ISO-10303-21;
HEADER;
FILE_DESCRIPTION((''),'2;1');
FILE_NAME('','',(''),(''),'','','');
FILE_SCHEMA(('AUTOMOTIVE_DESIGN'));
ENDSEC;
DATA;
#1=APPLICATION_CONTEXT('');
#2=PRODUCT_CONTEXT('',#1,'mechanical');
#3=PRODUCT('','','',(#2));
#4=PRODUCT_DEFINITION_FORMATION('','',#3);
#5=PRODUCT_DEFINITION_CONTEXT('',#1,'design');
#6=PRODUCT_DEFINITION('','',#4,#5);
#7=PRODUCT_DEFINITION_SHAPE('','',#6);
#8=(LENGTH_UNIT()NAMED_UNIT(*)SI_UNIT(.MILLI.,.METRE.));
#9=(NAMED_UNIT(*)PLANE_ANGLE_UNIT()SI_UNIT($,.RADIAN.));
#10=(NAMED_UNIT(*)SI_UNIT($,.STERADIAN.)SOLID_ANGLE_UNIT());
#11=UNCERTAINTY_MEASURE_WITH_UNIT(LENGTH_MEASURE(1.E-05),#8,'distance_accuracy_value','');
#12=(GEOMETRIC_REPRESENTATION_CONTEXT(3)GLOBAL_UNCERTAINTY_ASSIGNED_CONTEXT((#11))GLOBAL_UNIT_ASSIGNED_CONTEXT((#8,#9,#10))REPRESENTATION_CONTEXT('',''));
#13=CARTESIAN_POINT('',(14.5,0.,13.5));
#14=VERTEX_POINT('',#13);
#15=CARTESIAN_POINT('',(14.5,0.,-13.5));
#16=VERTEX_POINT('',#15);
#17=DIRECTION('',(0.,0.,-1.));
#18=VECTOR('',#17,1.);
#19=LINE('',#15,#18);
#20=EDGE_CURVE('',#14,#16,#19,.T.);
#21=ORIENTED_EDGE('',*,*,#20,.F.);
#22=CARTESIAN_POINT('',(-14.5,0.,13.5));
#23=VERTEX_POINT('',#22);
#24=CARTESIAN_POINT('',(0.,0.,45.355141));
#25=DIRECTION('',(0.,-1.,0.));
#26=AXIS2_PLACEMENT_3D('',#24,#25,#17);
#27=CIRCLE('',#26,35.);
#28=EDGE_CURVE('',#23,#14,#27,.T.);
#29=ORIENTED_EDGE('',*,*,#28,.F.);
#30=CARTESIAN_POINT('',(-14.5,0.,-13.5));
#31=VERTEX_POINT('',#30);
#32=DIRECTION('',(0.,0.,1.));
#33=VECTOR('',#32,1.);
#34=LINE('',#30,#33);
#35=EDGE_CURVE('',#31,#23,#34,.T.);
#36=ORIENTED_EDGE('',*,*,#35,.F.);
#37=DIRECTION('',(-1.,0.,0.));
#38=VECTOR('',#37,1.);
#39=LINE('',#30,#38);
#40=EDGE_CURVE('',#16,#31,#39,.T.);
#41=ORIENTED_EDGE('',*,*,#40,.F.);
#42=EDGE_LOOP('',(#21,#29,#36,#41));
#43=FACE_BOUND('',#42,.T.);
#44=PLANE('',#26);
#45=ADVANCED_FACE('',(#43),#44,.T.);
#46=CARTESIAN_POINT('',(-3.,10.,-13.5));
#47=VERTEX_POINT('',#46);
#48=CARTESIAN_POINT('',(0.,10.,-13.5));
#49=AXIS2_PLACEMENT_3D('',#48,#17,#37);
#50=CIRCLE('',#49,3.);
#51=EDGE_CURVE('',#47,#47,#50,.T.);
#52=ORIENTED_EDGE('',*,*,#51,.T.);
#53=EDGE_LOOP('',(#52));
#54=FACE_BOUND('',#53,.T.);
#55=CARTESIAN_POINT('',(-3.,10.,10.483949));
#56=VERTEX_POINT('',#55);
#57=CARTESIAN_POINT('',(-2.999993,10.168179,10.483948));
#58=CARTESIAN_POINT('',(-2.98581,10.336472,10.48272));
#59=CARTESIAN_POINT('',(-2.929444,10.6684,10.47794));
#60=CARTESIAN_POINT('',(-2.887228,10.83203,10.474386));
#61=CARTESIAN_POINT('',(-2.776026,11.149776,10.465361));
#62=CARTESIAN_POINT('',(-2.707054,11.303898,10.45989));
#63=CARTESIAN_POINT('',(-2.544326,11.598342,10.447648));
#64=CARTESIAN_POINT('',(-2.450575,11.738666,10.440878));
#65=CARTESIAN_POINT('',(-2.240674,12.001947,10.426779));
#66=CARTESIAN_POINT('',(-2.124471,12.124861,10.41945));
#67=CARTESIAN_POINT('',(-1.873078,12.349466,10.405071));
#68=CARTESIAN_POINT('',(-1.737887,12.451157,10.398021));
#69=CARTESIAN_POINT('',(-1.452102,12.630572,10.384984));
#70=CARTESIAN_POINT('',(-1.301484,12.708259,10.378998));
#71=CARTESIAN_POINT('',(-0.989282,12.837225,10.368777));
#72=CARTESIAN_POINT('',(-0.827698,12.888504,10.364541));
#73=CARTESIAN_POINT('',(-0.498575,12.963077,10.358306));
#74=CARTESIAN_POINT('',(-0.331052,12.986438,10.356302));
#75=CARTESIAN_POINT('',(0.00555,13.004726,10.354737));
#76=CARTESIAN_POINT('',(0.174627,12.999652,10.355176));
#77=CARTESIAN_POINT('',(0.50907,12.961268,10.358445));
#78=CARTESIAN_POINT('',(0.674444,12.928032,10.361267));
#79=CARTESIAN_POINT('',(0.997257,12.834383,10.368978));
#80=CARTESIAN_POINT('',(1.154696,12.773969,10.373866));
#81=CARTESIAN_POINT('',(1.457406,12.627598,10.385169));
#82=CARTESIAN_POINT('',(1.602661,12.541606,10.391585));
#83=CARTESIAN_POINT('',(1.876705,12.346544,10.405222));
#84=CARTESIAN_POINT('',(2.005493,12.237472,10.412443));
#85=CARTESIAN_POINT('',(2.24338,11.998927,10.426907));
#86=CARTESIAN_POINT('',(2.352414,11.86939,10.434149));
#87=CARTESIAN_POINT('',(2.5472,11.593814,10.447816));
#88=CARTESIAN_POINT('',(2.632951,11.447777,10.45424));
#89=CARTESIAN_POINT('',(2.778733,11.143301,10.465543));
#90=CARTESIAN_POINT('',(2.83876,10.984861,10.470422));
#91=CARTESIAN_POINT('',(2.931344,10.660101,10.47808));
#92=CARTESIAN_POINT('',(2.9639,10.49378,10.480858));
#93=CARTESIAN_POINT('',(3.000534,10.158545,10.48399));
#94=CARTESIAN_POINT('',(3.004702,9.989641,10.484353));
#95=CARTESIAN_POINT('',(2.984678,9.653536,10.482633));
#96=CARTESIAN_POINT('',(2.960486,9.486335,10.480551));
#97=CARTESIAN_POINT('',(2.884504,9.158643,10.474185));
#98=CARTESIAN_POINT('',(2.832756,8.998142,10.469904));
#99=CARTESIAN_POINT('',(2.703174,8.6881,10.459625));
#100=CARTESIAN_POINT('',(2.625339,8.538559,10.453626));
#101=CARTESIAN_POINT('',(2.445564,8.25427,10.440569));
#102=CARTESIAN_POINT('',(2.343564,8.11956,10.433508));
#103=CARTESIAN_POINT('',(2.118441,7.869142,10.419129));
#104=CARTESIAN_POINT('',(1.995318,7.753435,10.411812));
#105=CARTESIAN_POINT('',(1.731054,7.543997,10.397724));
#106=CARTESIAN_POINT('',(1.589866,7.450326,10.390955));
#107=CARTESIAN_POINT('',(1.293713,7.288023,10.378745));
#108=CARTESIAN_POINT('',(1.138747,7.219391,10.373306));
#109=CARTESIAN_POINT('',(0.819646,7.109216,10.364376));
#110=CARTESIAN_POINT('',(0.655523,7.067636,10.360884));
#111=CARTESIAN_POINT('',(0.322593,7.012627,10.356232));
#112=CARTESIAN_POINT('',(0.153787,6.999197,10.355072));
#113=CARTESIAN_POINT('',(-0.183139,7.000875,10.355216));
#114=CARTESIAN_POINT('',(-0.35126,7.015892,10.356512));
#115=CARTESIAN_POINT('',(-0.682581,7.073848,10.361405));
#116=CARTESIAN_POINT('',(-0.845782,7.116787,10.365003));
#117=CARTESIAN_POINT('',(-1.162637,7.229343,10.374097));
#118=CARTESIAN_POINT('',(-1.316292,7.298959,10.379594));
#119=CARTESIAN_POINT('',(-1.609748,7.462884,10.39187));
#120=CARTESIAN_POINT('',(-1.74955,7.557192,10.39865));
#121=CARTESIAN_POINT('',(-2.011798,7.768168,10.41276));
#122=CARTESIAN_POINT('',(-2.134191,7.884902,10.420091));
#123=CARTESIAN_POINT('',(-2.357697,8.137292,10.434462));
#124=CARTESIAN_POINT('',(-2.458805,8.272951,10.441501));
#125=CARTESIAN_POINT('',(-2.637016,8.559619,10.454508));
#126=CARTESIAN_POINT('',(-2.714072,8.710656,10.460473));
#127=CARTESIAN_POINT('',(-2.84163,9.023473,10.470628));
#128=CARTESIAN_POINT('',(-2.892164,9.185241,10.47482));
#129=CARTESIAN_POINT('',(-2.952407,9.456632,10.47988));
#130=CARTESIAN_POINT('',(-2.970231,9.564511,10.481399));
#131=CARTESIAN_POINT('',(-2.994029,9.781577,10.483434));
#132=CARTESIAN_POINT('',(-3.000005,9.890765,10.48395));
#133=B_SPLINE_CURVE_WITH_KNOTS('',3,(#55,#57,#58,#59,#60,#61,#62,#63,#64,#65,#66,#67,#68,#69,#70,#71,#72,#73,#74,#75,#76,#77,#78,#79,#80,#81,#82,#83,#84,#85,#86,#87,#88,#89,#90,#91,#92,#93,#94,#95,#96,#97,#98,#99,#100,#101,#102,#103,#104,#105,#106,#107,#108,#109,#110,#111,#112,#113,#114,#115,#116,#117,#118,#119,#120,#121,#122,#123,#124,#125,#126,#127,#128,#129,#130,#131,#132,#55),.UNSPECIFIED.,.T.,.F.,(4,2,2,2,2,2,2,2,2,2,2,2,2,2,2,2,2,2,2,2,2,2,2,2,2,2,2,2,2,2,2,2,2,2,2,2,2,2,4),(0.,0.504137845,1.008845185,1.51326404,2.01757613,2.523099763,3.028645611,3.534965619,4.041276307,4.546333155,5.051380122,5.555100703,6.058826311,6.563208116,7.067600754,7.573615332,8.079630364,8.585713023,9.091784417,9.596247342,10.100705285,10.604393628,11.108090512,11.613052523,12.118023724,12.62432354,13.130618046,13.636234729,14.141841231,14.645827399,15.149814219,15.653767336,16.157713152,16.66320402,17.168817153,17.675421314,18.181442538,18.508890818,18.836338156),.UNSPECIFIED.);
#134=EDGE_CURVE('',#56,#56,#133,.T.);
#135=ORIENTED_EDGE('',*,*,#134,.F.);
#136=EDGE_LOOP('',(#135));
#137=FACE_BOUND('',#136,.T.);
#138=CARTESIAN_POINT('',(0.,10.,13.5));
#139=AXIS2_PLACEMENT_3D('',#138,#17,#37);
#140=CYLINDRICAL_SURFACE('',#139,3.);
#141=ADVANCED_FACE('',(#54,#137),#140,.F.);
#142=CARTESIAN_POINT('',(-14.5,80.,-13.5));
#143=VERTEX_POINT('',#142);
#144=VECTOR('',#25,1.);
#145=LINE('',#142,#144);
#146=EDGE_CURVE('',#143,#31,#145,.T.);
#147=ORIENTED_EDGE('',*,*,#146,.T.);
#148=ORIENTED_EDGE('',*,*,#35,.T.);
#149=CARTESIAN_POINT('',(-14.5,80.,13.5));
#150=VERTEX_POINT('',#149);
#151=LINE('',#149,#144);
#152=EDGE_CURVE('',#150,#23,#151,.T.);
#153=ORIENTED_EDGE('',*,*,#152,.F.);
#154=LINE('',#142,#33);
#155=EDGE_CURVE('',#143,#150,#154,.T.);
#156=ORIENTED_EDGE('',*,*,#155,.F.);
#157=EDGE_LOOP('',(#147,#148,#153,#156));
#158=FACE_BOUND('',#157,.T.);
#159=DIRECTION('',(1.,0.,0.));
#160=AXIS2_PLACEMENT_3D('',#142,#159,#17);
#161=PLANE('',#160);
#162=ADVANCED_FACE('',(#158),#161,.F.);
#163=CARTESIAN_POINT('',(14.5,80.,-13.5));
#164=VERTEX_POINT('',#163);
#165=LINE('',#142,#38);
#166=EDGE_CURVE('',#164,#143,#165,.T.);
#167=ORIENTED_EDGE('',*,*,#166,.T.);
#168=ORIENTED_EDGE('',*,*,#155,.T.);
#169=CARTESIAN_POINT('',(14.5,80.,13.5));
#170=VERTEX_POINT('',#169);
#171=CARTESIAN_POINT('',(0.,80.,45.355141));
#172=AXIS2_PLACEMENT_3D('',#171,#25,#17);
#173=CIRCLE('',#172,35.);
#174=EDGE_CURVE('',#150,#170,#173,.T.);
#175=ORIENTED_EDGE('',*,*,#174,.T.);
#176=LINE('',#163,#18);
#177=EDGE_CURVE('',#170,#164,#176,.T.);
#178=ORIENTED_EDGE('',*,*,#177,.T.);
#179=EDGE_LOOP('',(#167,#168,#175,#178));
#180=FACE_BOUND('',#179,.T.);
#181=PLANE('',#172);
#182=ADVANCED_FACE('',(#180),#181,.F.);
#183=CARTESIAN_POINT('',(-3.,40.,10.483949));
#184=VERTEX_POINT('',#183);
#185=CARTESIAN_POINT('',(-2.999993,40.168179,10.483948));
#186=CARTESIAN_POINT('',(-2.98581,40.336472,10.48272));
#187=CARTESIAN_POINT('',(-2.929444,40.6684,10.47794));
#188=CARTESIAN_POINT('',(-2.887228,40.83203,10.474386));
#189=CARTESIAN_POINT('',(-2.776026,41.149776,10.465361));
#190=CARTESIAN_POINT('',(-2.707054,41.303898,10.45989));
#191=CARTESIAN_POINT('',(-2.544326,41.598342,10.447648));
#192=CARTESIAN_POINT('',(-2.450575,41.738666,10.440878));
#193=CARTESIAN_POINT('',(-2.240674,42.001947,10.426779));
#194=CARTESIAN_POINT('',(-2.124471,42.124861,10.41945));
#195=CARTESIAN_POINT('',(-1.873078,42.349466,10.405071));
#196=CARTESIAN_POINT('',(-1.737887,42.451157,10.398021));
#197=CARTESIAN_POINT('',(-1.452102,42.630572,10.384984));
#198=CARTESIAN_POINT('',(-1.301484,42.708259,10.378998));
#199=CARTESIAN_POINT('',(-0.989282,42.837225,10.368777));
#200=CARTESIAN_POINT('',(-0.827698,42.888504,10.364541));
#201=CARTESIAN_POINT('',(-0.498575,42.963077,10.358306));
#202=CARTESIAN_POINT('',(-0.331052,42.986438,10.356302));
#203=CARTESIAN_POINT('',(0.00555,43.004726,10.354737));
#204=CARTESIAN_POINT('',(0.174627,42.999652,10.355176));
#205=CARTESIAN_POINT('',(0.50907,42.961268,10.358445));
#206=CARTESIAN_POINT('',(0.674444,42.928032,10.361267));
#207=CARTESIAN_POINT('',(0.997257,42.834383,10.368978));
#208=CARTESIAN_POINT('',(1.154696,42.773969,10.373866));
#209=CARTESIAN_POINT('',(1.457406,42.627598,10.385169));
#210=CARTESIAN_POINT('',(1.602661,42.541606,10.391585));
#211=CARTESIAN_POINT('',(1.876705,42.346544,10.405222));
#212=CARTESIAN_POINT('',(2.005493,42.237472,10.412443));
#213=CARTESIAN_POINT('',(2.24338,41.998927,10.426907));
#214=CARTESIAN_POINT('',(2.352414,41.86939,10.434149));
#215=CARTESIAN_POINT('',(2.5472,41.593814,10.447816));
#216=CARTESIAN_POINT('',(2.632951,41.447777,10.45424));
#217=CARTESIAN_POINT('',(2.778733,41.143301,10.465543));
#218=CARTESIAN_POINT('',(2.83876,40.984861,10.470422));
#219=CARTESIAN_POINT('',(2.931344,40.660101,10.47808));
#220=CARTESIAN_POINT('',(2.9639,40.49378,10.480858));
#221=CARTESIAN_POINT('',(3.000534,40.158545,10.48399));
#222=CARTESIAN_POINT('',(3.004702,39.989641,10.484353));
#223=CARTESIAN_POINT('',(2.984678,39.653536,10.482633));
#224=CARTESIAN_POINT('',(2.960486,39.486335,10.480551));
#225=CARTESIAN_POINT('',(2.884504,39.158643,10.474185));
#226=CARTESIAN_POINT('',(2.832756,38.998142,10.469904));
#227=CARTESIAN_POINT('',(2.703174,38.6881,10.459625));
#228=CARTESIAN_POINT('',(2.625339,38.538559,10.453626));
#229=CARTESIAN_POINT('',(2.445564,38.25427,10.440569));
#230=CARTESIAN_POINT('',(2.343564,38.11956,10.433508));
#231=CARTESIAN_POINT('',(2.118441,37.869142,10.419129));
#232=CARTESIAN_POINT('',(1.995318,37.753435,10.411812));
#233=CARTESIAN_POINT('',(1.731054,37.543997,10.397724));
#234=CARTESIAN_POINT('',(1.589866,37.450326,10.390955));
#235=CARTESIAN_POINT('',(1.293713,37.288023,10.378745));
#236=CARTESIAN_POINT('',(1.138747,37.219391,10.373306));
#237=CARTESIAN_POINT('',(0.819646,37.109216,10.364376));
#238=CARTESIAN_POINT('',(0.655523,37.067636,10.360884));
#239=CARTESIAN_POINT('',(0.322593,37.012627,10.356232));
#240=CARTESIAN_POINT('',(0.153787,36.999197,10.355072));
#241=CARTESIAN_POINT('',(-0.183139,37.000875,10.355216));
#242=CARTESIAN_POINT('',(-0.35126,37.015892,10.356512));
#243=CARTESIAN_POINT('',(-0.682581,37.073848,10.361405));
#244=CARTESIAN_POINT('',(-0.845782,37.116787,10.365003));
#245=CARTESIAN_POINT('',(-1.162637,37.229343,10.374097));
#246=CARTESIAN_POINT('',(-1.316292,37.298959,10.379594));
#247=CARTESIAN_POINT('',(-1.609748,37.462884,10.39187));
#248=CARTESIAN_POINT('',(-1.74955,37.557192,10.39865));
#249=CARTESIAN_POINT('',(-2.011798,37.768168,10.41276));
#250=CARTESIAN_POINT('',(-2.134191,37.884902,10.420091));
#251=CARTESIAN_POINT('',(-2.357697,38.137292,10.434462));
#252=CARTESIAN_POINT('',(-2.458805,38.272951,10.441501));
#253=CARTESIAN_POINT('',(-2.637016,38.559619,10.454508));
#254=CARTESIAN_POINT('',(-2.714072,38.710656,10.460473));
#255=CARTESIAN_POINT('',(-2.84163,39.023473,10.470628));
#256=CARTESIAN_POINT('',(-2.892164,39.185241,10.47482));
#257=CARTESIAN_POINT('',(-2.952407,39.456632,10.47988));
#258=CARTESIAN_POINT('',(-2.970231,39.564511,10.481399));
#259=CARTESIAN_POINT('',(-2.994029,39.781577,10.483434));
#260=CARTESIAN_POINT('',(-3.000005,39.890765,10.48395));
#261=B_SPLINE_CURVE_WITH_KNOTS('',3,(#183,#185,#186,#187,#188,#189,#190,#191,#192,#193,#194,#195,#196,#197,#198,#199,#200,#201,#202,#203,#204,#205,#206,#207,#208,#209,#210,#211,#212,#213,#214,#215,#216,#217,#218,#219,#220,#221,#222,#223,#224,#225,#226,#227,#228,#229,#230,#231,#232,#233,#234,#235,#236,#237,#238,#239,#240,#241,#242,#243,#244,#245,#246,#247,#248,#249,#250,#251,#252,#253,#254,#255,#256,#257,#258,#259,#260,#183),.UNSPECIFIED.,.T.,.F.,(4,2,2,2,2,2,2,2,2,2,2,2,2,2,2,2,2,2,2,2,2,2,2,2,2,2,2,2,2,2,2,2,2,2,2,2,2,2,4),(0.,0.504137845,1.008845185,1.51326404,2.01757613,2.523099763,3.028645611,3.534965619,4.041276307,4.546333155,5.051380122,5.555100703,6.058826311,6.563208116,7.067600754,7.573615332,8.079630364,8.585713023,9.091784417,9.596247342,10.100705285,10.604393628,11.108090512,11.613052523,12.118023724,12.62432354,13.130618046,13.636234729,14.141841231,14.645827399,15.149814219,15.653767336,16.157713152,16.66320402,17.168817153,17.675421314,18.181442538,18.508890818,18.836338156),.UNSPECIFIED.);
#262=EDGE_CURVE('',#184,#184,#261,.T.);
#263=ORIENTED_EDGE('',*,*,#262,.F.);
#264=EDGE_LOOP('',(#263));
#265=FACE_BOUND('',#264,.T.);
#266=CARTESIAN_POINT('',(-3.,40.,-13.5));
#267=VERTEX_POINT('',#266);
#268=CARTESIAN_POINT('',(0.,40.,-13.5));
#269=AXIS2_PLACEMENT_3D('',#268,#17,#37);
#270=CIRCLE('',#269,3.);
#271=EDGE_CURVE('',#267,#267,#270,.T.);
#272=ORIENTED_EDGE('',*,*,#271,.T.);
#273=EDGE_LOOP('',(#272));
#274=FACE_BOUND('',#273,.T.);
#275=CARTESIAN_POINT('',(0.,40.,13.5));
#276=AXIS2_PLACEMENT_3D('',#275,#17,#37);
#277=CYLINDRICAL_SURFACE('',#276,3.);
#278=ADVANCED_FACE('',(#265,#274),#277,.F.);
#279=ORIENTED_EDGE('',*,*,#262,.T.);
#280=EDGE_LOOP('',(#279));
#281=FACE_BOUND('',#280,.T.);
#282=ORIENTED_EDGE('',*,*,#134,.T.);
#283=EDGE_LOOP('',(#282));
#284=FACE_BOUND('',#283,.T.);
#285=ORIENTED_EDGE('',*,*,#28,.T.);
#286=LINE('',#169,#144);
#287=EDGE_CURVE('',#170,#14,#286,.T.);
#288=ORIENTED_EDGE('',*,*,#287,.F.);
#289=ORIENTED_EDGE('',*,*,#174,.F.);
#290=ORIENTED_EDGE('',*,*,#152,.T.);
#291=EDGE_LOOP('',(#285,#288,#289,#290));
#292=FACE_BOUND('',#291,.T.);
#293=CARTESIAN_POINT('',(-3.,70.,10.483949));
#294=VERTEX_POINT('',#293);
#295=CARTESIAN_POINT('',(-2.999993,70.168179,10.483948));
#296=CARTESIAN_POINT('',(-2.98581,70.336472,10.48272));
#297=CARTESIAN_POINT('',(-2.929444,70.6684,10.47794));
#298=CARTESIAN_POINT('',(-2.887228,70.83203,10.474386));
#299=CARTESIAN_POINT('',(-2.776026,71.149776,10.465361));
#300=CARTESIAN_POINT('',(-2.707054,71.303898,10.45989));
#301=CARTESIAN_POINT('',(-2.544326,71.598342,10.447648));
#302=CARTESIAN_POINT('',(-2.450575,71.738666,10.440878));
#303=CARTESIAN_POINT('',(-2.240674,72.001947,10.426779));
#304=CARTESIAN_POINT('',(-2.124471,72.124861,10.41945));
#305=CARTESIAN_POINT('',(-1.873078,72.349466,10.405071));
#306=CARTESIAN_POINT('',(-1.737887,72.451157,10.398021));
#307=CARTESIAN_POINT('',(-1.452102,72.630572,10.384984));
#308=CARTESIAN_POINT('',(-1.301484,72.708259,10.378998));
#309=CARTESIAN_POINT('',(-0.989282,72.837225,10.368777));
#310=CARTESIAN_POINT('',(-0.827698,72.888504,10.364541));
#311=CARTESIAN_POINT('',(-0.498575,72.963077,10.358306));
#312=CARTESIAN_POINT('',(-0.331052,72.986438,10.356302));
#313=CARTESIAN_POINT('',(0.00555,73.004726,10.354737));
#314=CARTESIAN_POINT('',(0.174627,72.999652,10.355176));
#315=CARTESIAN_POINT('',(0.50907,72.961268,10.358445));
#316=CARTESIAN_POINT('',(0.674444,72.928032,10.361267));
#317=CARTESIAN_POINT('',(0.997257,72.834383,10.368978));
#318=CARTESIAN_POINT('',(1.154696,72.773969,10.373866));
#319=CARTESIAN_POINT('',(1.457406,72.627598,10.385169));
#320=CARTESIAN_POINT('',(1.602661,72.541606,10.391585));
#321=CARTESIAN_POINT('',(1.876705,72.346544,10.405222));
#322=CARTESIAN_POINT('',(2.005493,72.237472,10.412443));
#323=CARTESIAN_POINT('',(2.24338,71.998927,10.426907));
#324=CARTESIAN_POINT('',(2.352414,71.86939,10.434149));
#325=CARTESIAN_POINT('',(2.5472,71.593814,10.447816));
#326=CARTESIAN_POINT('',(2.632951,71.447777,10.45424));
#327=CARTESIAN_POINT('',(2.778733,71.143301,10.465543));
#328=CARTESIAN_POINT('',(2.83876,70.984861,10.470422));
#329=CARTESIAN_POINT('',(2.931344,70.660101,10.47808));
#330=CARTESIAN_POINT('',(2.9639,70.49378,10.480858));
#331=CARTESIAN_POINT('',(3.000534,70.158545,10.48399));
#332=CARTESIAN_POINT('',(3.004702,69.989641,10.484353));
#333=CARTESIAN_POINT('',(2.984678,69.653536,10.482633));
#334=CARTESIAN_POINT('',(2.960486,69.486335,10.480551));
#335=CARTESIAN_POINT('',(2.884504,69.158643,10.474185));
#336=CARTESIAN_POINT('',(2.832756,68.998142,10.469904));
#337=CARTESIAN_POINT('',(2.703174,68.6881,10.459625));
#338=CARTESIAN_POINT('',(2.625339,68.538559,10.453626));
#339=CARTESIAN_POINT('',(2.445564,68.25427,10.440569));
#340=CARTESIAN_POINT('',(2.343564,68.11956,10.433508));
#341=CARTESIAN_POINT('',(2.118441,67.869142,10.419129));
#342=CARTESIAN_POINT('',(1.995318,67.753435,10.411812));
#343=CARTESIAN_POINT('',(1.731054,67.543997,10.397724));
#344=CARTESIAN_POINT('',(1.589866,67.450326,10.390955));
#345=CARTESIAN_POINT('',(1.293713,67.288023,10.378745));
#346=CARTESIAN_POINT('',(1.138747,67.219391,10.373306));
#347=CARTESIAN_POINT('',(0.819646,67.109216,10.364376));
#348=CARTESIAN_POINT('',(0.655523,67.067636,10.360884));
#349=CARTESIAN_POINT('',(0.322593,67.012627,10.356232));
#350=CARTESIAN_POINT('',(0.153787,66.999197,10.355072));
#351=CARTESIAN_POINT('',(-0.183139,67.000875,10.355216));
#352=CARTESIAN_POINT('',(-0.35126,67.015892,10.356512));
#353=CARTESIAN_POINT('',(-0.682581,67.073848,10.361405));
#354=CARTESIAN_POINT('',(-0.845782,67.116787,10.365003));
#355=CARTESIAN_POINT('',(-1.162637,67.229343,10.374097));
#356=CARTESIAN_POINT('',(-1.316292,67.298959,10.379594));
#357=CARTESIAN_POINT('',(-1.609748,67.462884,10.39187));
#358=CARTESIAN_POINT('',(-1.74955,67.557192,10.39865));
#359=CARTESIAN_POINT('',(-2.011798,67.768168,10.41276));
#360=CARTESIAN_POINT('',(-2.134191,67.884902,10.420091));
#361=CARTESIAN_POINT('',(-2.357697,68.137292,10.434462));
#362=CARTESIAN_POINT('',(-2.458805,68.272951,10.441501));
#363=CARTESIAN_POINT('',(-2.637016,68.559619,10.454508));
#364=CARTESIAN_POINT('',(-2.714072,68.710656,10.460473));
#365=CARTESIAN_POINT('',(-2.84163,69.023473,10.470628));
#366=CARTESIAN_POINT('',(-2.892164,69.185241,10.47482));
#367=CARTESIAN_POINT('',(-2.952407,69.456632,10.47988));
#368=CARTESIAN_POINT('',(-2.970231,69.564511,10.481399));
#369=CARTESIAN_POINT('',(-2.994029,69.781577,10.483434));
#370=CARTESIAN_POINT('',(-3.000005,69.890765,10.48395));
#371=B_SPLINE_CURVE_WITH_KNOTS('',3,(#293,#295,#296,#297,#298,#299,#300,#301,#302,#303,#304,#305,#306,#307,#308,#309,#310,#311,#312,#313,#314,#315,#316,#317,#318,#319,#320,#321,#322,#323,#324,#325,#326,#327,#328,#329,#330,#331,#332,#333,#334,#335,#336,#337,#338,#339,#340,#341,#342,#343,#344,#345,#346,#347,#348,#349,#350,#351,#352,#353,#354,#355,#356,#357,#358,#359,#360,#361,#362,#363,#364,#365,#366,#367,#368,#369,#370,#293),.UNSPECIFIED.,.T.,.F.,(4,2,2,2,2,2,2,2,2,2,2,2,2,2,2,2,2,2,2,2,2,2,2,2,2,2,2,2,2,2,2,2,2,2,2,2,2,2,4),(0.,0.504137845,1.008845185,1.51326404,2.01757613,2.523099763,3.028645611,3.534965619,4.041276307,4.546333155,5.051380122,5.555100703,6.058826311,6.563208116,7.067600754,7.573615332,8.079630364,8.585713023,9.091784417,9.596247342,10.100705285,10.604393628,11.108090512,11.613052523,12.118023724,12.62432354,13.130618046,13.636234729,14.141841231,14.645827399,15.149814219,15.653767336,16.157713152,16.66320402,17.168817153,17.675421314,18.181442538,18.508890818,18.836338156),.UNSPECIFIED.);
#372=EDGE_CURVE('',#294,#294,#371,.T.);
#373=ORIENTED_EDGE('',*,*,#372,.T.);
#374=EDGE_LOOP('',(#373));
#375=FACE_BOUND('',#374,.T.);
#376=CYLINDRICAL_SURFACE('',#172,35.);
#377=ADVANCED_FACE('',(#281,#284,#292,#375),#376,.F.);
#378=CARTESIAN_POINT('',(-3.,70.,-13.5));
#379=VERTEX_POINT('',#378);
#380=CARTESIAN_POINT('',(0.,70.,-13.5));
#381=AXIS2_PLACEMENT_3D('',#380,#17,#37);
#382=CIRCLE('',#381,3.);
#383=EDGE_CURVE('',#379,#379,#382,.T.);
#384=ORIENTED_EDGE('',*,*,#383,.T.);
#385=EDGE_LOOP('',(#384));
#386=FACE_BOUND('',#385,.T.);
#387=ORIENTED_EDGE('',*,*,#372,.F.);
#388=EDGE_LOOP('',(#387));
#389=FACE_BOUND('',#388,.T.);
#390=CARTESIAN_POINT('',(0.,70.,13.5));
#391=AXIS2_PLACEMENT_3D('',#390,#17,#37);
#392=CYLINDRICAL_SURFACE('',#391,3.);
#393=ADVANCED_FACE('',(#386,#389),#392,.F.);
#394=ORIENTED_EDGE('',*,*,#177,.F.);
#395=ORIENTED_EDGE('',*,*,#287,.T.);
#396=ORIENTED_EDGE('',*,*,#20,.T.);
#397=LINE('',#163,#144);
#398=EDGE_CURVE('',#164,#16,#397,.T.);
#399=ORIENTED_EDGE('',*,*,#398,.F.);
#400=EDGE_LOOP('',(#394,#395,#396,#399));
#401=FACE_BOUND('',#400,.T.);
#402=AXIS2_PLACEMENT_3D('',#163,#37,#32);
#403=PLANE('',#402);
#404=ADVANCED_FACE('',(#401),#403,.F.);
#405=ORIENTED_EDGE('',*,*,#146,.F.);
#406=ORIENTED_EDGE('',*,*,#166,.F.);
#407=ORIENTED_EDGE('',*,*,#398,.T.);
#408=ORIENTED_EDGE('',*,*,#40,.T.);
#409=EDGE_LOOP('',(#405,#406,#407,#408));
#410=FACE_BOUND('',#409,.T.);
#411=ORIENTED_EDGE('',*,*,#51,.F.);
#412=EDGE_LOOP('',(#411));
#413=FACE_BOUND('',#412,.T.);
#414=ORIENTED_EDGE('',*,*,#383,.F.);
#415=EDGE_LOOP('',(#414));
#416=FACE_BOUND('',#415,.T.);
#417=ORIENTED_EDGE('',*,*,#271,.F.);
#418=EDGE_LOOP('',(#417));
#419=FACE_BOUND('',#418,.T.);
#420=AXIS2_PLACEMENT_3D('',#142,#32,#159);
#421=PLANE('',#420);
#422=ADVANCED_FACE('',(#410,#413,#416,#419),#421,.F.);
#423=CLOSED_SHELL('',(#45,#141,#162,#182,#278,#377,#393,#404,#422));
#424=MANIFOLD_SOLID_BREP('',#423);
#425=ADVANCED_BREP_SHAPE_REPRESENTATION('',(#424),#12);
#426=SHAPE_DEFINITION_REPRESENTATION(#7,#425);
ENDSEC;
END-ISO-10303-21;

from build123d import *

# Parameters (mm, degrees)
BOSS_EXTRUDE1_DEPTH = 80
SKETCH2_R           = 3
CUT_EXTRUDE1_DEPTH  = 28


with BuildPart() as part:
    # Sketch1 → Boss-Extrude1 (new body)
    with BuildSketch(Plane(origin=(0, 0, 0), x_dir=(1, 0, 0), z_dir=(0, 1, 0))):
        with BuildLine():
            Line((-14.5, 13.5), (14.5, 13.5))
            Line((14.5, 13.5), (14.5, -13.5))
            ThreePointArc((14.5, -13.5), (0, -10.355140872), (-14.5, -13.5))
            Line((-14.5, -13.5), (-14.5, 13.5))
        make_face()
    extrude(amount=BOSS_EXTRUDE1_DEPTH)

    # Sketch2 → Cut-Extrude1 (cut, through all)
    with BuildSketch(Plane(origin=(0, 0, -13.5), x_dir=(-1, 0, 0), z_dir=(0, 0, -1))):
        with Locations((0, 70)):
            Circle(SKETCH2_R)
        with Locations((0, 40)):
            Circle(SKETCH2_R)
        with Locations((0, 10)):
            Circle(SKETCH2_R)
    extrude(amount=-CUT_EXTRUDE1_DEPTH, mode=Mode.SUBTRACT)


solid = part.part
